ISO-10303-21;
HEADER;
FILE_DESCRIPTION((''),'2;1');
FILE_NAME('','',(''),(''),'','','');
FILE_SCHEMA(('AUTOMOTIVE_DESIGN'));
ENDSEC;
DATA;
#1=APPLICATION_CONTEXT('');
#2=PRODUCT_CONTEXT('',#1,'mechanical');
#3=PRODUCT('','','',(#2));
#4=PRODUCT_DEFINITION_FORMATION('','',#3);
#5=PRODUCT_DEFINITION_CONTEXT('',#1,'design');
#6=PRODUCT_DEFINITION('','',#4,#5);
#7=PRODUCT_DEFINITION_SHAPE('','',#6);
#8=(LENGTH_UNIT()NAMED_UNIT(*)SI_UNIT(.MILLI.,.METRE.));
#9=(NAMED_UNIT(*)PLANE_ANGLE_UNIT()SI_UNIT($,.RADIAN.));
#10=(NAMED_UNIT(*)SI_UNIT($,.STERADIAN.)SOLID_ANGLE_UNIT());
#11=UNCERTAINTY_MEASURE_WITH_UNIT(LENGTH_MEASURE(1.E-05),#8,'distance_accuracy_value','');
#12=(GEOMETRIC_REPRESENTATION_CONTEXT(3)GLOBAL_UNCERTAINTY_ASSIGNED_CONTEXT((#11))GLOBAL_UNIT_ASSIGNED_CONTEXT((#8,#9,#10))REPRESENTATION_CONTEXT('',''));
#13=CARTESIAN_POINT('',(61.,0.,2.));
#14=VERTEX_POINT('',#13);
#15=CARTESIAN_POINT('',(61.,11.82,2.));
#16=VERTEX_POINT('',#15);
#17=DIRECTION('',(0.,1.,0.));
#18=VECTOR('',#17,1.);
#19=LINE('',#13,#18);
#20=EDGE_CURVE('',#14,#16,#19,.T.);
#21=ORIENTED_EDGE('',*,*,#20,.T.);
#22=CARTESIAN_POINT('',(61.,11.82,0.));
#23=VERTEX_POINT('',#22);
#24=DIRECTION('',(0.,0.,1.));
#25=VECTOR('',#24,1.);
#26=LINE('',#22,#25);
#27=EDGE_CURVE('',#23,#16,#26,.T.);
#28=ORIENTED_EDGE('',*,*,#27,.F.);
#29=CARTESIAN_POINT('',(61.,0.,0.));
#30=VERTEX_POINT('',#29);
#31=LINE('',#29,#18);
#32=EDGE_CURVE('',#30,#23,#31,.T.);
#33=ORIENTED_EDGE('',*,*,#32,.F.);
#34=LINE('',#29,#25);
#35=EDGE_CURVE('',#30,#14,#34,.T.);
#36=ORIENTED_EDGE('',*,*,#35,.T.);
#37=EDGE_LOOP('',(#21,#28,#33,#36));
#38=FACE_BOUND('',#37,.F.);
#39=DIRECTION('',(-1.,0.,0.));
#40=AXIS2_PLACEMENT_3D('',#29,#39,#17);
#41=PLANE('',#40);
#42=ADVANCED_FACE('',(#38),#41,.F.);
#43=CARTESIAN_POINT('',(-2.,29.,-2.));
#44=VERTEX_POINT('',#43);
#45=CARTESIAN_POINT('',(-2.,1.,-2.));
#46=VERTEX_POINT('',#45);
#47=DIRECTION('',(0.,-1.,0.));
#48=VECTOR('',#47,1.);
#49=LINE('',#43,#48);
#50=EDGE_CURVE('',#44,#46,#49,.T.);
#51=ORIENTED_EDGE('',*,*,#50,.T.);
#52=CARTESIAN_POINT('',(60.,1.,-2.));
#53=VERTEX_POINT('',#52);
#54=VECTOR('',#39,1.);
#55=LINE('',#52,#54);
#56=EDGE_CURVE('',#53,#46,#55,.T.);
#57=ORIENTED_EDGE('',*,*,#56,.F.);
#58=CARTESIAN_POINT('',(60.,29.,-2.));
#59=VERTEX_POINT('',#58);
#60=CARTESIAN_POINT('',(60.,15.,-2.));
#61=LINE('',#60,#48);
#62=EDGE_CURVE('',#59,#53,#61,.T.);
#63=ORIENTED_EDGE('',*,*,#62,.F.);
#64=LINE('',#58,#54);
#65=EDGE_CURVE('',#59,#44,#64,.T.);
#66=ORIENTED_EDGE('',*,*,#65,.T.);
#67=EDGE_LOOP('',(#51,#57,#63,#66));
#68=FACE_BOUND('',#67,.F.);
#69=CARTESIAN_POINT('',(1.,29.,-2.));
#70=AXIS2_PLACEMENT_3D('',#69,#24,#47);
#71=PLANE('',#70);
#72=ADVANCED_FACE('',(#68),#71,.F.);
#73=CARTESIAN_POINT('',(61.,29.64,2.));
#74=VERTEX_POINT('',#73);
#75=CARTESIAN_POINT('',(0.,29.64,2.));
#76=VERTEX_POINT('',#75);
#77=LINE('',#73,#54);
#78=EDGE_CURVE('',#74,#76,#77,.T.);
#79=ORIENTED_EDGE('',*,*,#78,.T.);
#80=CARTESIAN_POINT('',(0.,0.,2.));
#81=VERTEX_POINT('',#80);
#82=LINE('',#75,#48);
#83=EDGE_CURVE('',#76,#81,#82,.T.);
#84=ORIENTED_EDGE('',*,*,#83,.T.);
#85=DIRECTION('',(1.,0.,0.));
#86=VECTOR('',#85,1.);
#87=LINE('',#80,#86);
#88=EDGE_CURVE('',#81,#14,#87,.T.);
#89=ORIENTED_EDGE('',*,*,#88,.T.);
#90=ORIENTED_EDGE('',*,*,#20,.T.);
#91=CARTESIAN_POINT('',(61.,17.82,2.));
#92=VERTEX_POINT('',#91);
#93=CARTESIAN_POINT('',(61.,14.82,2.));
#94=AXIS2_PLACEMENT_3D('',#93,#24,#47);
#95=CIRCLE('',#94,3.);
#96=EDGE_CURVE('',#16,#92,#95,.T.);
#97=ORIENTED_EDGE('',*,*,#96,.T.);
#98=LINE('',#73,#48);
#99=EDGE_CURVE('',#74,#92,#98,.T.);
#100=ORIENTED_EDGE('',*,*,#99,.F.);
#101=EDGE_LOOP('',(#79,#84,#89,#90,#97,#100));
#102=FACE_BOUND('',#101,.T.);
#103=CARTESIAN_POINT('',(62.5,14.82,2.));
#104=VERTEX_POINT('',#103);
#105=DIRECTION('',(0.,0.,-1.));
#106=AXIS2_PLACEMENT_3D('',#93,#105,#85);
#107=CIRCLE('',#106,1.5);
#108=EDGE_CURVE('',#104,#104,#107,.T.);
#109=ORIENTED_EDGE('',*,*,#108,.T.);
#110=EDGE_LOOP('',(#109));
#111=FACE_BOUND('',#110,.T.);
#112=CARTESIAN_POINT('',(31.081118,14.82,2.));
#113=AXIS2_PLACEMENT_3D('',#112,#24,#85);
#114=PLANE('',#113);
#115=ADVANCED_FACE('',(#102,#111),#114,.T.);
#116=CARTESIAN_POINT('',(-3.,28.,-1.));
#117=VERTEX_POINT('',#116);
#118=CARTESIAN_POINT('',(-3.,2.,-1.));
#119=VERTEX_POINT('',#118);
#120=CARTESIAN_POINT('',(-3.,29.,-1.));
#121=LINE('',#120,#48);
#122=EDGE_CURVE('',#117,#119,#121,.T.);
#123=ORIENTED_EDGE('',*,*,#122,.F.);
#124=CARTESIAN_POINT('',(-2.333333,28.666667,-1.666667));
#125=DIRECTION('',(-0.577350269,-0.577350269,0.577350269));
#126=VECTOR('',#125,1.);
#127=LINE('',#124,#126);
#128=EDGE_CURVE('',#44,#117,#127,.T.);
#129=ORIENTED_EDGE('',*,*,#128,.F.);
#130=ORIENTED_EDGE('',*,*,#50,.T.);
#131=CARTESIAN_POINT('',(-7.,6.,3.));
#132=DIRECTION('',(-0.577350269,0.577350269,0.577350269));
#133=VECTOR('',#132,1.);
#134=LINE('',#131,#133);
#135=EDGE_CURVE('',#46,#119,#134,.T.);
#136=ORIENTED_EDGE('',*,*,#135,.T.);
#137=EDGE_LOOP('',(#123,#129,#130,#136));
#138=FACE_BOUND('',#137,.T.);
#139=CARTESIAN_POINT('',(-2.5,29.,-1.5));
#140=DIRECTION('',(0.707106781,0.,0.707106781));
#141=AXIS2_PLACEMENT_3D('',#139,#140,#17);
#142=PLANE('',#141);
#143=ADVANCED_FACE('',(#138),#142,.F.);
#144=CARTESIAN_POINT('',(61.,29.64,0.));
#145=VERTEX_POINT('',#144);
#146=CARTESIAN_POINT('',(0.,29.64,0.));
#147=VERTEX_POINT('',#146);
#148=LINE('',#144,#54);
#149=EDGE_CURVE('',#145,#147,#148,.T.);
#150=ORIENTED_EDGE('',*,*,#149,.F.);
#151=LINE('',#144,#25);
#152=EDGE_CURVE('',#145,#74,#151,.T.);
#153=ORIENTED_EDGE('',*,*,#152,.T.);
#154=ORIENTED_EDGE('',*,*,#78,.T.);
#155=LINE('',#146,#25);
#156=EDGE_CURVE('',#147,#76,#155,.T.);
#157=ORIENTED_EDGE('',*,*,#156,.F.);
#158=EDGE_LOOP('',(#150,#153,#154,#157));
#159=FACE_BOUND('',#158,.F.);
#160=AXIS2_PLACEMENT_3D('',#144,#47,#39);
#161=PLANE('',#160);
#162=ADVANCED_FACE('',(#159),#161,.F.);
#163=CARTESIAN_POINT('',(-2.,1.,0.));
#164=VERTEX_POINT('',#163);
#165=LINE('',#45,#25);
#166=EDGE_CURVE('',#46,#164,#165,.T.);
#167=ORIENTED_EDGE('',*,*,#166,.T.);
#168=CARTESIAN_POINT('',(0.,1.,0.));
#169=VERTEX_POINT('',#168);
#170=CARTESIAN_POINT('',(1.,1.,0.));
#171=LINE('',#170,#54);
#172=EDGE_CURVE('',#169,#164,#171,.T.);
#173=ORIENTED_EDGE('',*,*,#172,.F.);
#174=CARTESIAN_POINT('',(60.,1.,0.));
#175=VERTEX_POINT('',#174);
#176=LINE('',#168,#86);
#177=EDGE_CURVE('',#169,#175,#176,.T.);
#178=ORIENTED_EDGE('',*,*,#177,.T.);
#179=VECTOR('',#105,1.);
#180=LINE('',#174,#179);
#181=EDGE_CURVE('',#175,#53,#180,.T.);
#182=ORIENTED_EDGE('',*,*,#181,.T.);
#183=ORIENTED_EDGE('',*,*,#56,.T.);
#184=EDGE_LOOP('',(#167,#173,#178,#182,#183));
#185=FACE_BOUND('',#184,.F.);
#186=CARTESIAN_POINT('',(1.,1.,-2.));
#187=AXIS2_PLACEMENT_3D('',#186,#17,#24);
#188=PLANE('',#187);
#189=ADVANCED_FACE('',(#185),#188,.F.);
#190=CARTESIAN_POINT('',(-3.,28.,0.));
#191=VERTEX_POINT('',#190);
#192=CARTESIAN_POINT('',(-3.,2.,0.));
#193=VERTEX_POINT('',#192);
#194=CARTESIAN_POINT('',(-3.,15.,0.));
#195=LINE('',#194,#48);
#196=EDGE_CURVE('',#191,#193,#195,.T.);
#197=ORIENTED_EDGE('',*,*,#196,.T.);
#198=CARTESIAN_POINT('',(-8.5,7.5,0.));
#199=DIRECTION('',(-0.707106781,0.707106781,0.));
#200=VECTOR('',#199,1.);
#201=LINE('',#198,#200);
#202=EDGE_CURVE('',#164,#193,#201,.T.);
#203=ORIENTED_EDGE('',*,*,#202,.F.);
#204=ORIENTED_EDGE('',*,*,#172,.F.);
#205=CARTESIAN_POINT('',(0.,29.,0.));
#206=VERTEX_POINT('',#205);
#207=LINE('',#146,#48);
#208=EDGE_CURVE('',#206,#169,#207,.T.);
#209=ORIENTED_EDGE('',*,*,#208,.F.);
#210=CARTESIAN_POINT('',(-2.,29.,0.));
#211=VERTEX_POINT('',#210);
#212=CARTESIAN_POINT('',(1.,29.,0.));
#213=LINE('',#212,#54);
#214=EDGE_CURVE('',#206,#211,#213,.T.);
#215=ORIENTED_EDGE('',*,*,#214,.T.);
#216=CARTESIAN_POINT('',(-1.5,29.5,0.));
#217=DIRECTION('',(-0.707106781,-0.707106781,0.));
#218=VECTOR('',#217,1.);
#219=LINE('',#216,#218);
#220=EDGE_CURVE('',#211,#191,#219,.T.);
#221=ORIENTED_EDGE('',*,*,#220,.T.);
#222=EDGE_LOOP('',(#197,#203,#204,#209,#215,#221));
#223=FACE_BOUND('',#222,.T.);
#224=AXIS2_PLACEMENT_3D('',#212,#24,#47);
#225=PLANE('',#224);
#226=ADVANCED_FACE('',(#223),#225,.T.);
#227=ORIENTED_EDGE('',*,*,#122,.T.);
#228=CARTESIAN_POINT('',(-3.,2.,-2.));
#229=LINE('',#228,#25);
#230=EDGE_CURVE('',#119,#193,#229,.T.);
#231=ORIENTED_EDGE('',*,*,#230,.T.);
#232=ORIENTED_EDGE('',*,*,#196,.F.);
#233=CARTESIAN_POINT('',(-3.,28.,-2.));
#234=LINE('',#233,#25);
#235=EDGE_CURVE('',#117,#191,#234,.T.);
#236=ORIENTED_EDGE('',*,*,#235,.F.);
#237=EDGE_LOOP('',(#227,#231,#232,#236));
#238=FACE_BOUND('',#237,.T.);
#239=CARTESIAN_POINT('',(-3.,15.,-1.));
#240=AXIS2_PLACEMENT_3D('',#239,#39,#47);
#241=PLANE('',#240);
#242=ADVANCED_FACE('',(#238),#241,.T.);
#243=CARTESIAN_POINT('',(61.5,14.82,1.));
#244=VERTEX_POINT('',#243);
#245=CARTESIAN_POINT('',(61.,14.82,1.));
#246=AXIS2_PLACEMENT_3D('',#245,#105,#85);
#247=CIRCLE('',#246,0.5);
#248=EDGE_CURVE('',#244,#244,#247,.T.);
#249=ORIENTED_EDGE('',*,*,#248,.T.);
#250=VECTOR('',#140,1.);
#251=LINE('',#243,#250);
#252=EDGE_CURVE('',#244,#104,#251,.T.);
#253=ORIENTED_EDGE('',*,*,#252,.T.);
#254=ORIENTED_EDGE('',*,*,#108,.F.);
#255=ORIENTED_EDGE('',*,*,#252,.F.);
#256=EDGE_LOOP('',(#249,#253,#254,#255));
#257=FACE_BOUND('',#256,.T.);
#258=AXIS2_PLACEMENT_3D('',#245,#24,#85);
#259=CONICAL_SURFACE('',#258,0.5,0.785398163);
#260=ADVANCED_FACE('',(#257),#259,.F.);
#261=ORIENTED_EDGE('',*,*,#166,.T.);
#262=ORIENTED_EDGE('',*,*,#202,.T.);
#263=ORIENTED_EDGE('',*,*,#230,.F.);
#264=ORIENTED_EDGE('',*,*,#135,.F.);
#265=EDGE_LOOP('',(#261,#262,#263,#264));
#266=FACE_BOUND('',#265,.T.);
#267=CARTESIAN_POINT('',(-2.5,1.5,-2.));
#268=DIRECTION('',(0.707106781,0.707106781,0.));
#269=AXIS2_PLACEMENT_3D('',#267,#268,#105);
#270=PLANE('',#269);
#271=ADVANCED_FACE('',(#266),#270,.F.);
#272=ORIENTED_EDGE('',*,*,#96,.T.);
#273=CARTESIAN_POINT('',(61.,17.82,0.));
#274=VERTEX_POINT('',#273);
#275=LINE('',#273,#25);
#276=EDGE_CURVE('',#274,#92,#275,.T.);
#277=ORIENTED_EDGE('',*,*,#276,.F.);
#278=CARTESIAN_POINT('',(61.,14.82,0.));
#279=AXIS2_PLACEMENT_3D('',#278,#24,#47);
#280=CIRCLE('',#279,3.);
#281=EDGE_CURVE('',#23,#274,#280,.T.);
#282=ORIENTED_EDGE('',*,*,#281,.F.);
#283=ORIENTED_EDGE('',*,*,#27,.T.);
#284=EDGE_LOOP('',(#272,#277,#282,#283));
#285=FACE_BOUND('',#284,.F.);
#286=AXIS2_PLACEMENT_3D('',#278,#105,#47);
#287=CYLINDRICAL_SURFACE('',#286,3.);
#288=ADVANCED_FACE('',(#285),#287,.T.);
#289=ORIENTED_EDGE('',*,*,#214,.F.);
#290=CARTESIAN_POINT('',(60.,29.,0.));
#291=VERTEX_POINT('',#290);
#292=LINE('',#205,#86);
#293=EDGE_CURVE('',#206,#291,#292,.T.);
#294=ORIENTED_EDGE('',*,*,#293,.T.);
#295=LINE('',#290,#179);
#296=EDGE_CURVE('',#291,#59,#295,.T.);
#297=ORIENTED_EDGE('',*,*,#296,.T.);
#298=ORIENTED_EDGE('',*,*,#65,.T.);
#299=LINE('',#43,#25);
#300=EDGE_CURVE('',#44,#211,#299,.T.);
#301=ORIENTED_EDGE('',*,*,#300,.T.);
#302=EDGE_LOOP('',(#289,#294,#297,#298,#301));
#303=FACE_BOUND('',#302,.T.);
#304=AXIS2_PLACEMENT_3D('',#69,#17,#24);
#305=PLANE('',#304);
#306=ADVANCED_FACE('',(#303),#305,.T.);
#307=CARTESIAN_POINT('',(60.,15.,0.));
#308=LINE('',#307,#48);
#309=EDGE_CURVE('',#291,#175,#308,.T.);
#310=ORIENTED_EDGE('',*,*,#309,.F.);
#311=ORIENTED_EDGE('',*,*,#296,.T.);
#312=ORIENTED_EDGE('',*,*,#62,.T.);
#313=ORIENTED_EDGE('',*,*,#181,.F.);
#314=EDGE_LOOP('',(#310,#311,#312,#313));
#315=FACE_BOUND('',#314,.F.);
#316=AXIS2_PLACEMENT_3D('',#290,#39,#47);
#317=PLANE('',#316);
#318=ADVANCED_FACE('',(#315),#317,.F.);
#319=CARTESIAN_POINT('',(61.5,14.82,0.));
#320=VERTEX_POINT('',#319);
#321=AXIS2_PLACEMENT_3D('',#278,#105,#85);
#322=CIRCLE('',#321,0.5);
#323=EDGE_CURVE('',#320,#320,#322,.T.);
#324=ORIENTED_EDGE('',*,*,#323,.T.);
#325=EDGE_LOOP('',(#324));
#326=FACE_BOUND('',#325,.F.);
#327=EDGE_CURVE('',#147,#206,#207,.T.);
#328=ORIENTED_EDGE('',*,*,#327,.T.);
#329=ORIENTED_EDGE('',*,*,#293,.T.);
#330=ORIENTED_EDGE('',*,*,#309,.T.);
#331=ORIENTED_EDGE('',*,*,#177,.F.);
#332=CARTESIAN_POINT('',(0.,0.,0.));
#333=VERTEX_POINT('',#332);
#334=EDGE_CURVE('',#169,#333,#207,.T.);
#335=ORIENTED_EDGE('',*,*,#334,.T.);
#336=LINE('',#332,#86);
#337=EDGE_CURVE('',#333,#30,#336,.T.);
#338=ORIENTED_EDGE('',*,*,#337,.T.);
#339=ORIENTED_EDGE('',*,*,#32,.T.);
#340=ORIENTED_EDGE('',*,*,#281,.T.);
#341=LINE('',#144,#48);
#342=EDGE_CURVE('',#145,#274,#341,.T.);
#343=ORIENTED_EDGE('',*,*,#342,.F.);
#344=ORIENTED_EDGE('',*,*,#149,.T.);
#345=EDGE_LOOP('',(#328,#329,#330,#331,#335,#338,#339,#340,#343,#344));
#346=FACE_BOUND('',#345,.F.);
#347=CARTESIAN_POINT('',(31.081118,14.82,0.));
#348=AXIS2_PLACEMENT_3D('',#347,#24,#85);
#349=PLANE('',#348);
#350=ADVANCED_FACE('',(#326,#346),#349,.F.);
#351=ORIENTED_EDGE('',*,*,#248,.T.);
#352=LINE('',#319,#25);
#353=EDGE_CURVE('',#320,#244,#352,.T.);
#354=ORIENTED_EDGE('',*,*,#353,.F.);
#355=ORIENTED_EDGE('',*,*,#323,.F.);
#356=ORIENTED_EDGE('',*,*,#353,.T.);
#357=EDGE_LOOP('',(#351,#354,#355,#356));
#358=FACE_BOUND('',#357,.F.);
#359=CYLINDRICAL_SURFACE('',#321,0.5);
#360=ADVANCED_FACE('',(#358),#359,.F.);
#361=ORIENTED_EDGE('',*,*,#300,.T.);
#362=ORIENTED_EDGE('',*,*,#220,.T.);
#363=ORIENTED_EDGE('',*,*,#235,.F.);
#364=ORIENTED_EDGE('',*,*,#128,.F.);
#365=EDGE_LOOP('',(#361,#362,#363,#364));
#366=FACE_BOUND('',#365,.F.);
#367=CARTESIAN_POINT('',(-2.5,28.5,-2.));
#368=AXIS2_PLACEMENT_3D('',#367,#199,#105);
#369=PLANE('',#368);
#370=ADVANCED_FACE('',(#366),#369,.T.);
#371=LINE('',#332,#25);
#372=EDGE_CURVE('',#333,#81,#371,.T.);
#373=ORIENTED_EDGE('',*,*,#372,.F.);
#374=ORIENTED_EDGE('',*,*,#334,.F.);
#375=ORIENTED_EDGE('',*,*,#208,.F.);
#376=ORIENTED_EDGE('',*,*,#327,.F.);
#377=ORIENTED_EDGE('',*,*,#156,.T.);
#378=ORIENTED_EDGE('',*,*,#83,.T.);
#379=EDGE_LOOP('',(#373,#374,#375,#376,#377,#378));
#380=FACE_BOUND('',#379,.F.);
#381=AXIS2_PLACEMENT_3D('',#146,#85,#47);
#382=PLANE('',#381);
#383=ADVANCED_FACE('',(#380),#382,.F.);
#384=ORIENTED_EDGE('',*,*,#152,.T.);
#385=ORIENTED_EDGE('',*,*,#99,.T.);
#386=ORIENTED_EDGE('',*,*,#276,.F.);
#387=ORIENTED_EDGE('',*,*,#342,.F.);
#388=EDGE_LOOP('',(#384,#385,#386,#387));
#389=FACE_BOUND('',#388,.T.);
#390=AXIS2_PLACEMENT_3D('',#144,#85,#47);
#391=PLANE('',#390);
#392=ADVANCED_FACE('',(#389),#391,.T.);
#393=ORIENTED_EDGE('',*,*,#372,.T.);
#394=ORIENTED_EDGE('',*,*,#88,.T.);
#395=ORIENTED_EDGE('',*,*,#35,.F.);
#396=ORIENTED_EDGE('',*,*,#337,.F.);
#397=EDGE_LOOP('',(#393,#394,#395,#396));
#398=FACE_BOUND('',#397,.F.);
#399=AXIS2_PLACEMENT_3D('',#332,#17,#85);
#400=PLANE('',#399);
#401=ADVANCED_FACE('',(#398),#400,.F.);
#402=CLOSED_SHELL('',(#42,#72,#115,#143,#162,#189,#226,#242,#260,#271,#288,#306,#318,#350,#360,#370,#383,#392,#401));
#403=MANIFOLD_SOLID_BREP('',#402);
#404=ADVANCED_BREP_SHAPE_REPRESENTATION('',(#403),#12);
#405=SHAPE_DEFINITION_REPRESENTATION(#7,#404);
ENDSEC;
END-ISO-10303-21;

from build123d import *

# Parameters (mm, degrees)
PAD_DEPTH       = 2
SKETCH001_R     = 0.5
POCKET_DEPTH    = 5
SKETCH002_W     = 59
SKETCH002_H     = 28
PAD001_DEPTH    = 2
SKETCH003_W     = 28
SKETCH003_H     = 2
PAD002_DEPTH    = 4
CHAMFER_SIZE    = 1
CHAMFER001_SIZE = 1


with BuildPart() as part:
    # Sketch → Pad (new body)
    with BuildSketch(Plane.XY):
        with BuildLine():
            Line((0, 0), (61, 0))
            Line((61, 0), (61, 11.82))
            ThreePointArc((61, 11.82), (64, 14.82), (61, 17.82))
            Line((61, 29.64), (61, 17.82))
            Line((61, 29.64), (0, 29.64))
            Line((0, 29.64), (0, 0))
        make_face()
    extrude(amount=PAD_DEPTH)

    # Sketch001 (on Face7 of Pad) → Pocket (cut)
    with BuildSketch(Plane(origin=(0, 0, 0), x_dir=(1, 0, 0), z_dir=(0, 0, -1))):
        with Locations((61, -14.82)):
            Circle(SKETCH001_R)
    extrude(amount=-POCKET_DEPTH, mode=Mode.SUBTRACT)

    # Sketch002 (on Face4 of Pocket) → Pad001 (join)
    with BuildSketch(Plane(origin=(0, 0, 0), x_dir=(1, 0, 0), z_dir=(0, 0, -1))):
        with Locations((30.5, -15)):
            Rectangle(SKETCH002_W, SKETCH002_H)
    extrude(amount=PAD001_DEPTH)

    # Sketch003 (on Face13 of Pad001) → Pad002 (join)
    with BuildSketch(Plane(origin=(1, 0, 0), x_dir=(0, -1, 0), z_dir=(-1, 0, 0))):
        with Locations((-15, -1)):
            Rectangle(SKETCH003_W, SKETCH003_H)
    extrude(amount=PAD002_DEPTH)

    # Chamfer
    chamfer_edges = [part.edges().sort_by_distance(p)[0] for p in [
        (-3, 1, -1),
        (-3, 29, -1),
        (-3, 15, -2),
    ]]
    chamfer(chamfer_edges, length=CHAMFER_SIZE)

    # Chamfer001
    chamfer001_edges = [part.edges().sort_by_distance(p)[0] for p in [
        (60.5, 14.82, 2),
    ]]
    chamfer(chamfer001_edges, length=CHAMFER001_SIZE)


solid = part.part
